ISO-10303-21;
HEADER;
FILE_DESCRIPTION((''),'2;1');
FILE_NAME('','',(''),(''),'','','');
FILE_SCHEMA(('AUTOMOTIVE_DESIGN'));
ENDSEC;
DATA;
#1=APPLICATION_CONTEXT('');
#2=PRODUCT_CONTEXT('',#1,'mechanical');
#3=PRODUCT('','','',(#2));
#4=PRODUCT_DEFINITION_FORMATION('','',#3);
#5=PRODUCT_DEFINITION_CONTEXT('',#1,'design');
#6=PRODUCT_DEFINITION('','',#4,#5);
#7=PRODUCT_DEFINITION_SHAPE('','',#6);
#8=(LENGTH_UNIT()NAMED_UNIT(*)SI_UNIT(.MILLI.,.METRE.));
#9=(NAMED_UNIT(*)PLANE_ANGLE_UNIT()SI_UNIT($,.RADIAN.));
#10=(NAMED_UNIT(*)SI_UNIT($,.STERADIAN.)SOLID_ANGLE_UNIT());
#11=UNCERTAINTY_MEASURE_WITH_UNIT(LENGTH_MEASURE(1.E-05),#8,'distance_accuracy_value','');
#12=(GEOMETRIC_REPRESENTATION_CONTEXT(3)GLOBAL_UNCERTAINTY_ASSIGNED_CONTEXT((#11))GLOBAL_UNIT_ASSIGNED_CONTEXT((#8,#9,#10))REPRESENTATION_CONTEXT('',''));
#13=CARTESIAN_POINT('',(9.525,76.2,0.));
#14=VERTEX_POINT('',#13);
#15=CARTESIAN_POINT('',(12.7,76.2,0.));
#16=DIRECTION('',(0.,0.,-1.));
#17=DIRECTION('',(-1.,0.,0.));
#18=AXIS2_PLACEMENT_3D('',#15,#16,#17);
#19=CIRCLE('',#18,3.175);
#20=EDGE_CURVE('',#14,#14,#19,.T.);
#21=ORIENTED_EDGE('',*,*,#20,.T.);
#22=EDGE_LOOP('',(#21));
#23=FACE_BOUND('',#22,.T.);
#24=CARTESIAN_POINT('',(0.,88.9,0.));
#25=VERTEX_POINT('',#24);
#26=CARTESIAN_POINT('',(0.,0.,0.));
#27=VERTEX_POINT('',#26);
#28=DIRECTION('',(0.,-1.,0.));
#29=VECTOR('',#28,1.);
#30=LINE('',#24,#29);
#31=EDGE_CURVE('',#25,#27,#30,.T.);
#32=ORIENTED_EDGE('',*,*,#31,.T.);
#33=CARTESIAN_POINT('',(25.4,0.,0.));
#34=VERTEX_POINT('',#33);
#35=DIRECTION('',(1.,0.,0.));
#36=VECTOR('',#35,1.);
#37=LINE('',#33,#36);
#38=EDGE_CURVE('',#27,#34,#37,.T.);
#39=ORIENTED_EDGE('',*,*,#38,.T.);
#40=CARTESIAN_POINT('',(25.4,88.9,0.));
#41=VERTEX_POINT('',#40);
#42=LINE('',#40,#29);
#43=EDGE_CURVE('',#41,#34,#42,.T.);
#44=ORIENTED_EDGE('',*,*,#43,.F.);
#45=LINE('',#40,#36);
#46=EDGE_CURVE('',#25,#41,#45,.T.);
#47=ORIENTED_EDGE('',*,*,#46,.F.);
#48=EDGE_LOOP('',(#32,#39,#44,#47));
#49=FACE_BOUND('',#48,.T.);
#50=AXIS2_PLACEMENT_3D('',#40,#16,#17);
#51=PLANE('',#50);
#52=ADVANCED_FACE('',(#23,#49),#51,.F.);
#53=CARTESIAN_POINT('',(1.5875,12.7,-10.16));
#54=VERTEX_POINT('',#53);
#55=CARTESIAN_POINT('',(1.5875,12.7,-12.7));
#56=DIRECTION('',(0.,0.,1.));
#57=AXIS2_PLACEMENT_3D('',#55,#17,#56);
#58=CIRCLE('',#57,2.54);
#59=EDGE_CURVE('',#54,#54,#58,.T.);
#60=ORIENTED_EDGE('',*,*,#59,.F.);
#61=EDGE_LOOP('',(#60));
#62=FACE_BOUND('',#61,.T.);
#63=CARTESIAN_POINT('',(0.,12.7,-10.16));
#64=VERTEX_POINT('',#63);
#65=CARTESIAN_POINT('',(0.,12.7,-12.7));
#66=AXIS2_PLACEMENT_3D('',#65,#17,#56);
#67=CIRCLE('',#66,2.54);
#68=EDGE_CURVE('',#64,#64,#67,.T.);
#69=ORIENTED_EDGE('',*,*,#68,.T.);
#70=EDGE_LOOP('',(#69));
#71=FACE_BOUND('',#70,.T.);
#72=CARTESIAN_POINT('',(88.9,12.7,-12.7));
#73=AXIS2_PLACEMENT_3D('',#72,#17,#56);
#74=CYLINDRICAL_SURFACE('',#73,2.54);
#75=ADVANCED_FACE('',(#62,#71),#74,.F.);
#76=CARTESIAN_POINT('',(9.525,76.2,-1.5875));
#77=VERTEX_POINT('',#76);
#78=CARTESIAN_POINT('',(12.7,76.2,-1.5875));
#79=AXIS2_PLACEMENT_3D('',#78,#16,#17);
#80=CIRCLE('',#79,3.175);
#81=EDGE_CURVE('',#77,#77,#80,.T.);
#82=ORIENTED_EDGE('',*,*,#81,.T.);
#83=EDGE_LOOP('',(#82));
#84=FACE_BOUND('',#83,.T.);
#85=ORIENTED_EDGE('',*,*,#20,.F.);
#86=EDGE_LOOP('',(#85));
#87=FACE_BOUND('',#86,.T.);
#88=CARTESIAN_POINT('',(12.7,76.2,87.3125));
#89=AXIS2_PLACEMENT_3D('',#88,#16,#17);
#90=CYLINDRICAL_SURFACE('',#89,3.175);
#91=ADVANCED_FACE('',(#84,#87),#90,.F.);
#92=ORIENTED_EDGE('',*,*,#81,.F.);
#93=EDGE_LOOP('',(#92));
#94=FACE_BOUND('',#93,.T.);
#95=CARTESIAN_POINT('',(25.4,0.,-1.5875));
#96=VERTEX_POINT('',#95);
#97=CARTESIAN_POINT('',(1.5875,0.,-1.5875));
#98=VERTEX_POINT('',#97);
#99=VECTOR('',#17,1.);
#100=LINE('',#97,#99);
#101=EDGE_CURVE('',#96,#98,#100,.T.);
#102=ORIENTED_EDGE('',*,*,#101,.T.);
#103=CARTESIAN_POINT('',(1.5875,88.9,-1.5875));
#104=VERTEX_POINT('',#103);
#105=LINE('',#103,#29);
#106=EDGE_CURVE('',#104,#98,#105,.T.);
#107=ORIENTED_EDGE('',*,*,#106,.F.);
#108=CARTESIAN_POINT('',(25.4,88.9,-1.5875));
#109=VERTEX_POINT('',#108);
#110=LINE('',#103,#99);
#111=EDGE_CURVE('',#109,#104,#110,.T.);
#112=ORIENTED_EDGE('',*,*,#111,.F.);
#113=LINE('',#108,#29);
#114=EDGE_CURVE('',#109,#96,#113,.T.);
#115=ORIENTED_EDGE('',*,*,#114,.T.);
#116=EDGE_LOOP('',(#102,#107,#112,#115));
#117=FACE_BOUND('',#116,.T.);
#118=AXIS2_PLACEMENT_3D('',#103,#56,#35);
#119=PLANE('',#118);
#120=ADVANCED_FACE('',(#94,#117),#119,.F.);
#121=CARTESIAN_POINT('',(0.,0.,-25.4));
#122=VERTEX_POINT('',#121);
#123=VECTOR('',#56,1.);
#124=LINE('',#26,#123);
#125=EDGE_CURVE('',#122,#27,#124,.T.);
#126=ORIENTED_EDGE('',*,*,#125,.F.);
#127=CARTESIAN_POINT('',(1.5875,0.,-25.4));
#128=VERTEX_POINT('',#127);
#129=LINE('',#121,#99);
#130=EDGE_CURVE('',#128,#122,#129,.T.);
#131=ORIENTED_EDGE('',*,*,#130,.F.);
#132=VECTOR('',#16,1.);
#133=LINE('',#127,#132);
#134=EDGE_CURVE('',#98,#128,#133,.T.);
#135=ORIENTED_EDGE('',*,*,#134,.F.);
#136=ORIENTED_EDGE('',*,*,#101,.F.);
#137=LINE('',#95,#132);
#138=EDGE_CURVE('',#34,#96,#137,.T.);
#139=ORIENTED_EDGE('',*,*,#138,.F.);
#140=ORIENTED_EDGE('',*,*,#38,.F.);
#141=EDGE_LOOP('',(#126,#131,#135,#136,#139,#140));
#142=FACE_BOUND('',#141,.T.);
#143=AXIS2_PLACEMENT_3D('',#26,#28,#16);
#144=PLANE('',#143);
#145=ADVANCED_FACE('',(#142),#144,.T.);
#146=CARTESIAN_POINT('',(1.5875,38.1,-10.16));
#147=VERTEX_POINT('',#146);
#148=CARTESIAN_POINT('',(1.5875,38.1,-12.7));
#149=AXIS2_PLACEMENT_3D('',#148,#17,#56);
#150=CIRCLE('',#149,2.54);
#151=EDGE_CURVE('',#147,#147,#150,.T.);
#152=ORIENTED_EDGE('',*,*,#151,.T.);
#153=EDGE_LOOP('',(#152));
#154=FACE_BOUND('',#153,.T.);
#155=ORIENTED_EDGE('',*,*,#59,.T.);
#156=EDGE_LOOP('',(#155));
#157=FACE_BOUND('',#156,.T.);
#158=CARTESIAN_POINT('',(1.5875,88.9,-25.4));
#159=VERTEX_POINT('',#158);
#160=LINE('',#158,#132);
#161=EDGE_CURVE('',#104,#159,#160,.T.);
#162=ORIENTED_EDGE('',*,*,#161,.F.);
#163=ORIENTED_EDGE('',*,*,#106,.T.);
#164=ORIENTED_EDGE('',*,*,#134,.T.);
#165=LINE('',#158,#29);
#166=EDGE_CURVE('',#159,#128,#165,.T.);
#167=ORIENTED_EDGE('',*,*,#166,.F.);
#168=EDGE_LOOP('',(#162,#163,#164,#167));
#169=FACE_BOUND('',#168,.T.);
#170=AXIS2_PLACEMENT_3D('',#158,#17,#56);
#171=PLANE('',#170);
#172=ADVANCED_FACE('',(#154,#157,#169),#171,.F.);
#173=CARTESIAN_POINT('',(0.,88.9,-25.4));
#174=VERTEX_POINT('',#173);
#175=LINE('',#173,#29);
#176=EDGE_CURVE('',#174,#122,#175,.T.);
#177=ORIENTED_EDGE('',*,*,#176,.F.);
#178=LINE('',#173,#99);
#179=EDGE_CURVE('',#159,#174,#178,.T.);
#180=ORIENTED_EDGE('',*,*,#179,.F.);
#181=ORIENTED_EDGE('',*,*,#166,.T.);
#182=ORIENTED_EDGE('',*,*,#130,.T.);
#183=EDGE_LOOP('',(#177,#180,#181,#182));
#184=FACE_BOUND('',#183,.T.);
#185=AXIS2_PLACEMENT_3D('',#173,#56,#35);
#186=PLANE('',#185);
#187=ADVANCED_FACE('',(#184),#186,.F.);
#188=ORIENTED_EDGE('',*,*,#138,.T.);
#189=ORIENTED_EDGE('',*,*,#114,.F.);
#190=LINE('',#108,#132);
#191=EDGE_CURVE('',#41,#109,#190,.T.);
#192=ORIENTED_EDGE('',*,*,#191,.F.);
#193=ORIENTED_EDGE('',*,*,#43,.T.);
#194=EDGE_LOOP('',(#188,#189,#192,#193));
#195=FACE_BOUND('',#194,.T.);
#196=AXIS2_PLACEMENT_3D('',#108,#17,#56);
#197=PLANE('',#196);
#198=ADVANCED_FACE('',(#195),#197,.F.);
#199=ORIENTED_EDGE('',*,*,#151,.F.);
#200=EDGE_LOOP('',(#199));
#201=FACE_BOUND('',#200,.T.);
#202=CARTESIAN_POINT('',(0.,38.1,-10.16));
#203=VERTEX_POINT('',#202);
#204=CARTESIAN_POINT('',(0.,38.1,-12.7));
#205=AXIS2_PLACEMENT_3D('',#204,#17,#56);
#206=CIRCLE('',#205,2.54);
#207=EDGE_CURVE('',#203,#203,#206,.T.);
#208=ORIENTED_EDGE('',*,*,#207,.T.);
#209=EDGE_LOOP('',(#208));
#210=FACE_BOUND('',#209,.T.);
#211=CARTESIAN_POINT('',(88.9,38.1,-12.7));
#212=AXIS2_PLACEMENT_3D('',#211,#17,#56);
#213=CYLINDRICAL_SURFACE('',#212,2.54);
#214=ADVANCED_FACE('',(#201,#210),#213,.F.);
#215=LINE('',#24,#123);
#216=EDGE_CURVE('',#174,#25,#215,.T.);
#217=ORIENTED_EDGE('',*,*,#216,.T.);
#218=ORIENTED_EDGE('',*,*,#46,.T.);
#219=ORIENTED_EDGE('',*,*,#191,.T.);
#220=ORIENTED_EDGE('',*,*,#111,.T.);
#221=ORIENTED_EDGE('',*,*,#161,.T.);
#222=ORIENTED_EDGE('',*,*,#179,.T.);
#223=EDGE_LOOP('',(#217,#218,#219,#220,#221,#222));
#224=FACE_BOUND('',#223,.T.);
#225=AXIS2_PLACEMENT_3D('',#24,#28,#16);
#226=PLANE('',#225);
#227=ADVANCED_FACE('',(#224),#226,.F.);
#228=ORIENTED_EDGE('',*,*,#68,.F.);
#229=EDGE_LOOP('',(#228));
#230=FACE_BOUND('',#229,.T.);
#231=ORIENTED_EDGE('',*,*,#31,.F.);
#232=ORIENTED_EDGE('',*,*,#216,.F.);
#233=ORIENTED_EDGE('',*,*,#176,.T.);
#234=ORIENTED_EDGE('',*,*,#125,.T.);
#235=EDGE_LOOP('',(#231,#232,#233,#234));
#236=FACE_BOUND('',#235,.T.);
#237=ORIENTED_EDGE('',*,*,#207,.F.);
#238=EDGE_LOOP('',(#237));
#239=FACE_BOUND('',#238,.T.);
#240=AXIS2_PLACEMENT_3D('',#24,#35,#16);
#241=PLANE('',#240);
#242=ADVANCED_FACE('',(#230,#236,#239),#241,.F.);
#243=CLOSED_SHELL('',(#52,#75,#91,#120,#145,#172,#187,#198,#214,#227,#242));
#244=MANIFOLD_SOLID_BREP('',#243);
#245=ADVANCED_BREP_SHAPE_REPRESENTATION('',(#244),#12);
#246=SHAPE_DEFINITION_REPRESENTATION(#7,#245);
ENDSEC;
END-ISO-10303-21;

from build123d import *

# Parameters (mm, degrees)
BOSS_EXTRUDE1_DEPTH = 88.9
SKETCH2_R           = 2.54
CUT_EXTRUDE1_DEPTH  = 88.9
SKETCH3_R           = 3.175
CUT_EXTRUDE2_DEPTH  = 88.9


with BuildPart() as part:
    # Sketch1 → Boss-Extrude1 (new body)
    with BuildSketch(Plane(origin=(0, 0, 0), x_dir=(1, 0, 0), z_dir=(0, 1, 0))):
        Polygon((0, 0), (0, 25.4), (1.5875, 25.4), (1.5875, 1.5875), (25.4, 1.5875), (25.4, 0), align=None)
    extrude(amount=BOSS_EXTRUDE1_DEPTH)

    # Sketch2 → Cut-Extrude1 (cut)
    with BuildSketch(Plane.ZY):
        with Locations((-12.7, 38.1)):
            Circle(SKETCH2_R)
        with Locations((-12.7, 12.7)):
            Circle(SKETCH2_R)
    extrude(amount=-CUT_EXTRUDE1_DEPTH, mode=Mode.SUBTRACT)

    # Sketch3 → Cut-Extrude2 (cut)
    with BuildSketch(Plane(origin=(0, 0, -1.5875), x_dir=(-1, 0, 0), z_dir=(0, 0, -1))):
        with Locations((-12.7, 76.2)):
            Circle(SKETCH3_R)
    extrude(amount=-CUT_EXTRUDE2_DEPTH, mode=Mode.SUBTRACT)


solid = part.part
